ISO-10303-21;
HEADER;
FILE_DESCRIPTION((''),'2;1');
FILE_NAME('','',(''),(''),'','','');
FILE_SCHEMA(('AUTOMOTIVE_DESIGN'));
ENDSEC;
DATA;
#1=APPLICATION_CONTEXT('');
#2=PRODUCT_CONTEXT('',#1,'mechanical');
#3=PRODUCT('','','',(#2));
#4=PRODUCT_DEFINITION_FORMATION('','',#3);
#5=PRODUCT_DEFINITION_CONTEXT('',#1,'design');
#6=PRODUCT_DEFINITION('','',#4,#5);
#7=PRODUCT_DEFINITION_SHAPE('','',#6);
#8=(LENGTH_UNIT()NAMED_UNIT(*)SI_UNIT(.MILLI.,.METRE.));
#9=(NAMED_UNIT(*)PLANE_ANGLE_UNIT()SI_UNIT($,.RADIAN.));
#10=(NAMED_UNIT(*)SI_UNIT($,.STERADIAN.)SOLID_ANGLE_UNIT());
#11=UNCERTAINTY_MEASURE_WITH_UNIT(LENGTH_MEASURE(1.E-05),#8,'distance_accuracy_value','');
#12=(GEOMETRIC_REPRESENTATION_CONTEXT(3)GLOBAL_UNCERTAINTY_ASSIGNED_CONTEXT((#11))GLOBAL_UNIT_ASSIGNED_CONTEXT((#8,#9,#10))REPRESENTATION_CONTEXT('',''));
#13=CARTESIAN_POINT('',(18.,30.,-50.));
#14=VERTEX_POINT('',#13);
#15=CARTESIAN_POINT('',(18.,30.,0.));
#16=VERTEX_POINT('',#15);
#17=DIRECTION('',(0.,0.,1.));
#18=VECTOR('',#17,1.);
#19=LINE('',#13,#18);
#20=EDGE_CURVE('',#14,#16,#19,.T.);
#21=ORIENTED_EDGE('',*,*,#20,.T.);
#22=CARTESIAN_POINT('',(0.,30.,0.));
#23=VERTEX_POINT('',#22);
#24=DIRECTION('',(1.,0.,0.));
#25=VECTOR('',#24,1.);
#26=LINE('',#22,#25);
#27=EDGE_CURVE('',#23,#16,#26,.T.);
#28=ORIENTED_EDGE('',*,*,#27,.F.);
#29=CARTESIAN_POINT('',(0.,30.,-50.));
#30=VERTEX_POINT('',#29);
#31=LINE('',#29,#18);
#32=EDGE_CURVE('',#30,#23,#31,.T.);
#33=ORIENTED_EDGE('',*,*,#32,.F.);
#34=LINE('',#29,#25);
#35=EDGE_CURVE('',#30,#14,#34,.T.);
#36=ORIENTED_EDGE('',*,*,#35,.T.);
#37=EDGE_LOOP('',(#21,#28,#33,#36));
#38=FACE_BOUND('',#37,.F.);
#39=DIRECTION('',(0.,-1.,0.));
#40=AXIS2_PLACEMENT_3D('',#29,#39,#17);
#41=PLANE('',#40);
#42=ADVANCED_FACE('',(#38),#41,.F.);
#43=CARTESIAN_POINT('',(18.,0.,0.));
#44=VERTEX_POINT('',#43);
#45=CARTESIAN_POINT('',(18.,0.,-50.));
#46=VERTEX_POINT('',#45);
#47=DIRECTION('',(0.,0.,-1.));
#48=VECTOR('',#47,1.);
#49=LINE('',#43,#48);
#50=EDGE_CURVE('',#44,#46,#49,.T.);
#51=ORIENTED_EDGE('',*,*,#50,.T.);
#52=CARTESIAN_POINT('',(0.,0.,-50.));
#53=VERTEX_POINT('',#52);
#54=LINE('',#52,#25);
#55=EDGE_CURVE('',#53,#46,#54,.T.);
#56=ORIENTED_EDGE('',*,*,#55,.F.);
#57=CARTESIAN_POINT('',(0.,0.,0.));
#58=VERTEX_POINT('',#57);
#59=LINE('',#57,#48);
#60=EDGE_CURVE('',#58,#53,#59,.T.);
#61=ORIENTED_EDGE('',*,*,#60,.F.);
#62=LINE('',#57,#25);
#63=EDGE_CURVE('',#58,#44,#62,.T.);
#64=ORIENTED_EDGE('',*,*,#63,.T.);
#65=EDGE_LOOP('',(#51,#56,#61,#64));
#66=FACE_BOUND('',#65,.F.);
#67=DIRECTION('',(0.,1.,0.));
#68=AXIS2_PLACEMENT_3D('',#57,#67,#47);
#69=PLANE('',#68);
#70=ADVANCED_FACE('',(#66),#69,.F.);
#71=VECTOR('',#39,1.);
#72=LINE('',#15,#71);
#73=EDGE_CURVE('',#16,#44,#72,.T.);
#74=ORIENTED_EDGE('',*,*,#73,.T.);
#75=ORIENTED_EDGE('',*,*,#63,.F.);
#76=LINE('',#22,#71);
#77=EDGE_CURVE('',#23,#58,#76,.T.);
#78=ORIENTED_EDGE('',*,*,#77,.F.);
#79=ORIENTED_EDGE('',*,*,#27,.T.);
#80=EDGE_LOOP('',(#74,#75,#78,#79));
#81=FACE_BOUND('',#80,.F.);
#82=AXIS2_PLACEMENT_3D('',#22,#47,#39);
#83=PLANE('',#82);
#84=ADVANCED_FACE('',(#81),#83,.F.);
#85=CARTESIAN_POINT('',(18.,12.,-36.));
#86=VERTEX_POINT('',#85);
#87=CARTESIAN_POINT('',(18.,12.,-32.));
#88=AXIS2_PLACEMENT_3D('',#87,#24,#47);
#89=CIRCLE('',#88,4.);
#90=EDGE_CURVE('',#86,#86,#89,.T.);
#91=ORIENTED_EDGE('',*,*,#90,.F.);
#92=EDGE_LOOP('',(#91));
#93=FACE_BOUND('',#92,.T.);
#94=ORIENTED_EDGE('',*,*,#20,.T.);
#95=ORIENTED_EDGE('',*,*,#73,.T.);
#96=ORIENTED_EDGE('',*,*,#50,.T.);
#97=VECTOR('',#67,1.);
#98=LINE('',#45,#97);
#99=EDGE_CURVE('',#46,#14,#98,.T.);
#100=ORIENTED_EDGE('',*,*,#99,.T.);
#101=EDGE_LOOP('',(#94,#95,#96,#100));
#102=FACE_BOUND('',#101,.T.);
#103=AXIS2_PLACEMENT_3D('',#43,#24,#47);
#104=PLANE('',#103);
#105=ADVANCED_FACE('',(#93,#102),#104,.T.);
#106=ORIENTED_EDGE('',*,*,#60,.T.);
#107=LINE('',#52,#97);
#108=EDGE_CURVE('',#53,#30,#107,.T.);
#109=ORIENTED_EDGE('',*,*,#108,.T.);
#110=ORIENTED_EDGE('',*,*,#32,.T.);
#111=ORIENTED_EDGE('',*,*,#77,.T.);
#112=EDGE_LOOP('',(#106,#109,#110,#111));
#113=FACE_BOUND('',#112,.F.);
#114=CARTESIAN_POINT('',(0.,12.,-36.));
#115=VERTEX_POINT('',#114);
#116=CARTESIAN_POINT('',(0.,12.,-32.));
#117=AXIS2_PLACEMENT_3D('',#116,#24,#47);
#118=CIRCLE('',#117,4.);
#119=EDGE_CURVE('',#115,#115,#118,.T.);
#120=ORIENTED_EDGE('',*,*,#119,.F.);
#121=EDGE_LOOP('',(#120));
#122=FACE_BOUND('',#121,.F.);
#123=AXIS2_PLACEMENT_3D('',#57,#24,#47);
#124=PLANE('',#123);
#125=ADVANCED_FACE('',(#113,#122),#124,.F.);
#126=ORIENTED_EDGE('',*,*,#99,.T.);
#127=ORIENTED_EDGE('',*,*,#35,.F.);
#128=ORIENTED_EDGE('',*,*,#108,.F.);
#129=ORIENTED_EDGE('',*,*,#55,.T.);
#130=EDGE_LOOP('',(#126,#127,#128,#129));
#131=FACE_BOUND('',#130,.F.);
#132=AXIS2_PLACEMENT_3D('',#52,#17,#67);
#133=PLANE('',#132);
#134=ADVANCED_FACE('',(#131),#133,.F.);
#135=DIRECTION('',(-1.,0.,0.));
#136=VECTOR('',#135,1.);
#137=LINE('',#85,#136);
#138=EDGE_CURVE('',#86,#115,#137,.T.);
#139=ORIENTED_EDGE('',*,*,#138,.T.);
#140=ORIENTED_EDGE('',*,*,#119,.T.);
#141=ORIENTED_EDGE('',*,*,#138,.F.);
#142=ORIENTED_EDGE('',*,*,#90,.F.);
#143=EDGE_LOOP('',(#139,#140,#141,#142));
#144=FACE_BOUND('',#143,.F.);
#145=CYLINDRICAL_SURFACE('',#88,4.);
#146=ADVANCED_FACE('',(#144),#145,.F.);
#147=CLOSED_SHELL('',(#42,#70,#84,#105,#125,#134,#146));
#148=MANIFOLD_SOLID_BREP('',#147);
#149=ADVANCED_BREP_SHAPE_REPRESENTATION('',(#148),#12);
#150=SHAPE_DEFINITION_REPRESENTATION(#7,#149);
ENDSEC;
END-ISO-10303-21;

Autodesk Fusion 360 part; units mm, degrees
sketch "草图1" plane through (0, 0, 0) normal (1, 0, 0) x (0, 0, -1)
  line L0 (0, 0) -> (50, 0)
  line L1 (50, 0) -> (50, 30)
  line L2 (50, 30) -> (0, 30)
  line L3 (0, 30) -> (0, 0)
  dimension "d1" = 50
  dimension "d2" = 30
extrude "拉伸1" add sketch "草图1" along normal blind 18
sketch "草图2" plane through (18, 0, 0) normal (1, 0, 0) x (0, 0, -1)
  line L0 (0, 30) -> (0, 0)
  line L1 (0, 0) -> (50, 0)
  line L2 (50, 0) -> (50, 30)
  line L3 (50, 30) -> (0, 30)
  line L4 (0, 0) -> (32, 0) construction
  line L5 (32, 0) -> (32, 12) construction
  circle A0 centre (32, 12) radius 4
  dimension "d5" = 32
  dimension "d6" = 12
  dimension "d7" = 8
extrude "拉伸2" cut sketch "草图2" against normal through all contours A0
